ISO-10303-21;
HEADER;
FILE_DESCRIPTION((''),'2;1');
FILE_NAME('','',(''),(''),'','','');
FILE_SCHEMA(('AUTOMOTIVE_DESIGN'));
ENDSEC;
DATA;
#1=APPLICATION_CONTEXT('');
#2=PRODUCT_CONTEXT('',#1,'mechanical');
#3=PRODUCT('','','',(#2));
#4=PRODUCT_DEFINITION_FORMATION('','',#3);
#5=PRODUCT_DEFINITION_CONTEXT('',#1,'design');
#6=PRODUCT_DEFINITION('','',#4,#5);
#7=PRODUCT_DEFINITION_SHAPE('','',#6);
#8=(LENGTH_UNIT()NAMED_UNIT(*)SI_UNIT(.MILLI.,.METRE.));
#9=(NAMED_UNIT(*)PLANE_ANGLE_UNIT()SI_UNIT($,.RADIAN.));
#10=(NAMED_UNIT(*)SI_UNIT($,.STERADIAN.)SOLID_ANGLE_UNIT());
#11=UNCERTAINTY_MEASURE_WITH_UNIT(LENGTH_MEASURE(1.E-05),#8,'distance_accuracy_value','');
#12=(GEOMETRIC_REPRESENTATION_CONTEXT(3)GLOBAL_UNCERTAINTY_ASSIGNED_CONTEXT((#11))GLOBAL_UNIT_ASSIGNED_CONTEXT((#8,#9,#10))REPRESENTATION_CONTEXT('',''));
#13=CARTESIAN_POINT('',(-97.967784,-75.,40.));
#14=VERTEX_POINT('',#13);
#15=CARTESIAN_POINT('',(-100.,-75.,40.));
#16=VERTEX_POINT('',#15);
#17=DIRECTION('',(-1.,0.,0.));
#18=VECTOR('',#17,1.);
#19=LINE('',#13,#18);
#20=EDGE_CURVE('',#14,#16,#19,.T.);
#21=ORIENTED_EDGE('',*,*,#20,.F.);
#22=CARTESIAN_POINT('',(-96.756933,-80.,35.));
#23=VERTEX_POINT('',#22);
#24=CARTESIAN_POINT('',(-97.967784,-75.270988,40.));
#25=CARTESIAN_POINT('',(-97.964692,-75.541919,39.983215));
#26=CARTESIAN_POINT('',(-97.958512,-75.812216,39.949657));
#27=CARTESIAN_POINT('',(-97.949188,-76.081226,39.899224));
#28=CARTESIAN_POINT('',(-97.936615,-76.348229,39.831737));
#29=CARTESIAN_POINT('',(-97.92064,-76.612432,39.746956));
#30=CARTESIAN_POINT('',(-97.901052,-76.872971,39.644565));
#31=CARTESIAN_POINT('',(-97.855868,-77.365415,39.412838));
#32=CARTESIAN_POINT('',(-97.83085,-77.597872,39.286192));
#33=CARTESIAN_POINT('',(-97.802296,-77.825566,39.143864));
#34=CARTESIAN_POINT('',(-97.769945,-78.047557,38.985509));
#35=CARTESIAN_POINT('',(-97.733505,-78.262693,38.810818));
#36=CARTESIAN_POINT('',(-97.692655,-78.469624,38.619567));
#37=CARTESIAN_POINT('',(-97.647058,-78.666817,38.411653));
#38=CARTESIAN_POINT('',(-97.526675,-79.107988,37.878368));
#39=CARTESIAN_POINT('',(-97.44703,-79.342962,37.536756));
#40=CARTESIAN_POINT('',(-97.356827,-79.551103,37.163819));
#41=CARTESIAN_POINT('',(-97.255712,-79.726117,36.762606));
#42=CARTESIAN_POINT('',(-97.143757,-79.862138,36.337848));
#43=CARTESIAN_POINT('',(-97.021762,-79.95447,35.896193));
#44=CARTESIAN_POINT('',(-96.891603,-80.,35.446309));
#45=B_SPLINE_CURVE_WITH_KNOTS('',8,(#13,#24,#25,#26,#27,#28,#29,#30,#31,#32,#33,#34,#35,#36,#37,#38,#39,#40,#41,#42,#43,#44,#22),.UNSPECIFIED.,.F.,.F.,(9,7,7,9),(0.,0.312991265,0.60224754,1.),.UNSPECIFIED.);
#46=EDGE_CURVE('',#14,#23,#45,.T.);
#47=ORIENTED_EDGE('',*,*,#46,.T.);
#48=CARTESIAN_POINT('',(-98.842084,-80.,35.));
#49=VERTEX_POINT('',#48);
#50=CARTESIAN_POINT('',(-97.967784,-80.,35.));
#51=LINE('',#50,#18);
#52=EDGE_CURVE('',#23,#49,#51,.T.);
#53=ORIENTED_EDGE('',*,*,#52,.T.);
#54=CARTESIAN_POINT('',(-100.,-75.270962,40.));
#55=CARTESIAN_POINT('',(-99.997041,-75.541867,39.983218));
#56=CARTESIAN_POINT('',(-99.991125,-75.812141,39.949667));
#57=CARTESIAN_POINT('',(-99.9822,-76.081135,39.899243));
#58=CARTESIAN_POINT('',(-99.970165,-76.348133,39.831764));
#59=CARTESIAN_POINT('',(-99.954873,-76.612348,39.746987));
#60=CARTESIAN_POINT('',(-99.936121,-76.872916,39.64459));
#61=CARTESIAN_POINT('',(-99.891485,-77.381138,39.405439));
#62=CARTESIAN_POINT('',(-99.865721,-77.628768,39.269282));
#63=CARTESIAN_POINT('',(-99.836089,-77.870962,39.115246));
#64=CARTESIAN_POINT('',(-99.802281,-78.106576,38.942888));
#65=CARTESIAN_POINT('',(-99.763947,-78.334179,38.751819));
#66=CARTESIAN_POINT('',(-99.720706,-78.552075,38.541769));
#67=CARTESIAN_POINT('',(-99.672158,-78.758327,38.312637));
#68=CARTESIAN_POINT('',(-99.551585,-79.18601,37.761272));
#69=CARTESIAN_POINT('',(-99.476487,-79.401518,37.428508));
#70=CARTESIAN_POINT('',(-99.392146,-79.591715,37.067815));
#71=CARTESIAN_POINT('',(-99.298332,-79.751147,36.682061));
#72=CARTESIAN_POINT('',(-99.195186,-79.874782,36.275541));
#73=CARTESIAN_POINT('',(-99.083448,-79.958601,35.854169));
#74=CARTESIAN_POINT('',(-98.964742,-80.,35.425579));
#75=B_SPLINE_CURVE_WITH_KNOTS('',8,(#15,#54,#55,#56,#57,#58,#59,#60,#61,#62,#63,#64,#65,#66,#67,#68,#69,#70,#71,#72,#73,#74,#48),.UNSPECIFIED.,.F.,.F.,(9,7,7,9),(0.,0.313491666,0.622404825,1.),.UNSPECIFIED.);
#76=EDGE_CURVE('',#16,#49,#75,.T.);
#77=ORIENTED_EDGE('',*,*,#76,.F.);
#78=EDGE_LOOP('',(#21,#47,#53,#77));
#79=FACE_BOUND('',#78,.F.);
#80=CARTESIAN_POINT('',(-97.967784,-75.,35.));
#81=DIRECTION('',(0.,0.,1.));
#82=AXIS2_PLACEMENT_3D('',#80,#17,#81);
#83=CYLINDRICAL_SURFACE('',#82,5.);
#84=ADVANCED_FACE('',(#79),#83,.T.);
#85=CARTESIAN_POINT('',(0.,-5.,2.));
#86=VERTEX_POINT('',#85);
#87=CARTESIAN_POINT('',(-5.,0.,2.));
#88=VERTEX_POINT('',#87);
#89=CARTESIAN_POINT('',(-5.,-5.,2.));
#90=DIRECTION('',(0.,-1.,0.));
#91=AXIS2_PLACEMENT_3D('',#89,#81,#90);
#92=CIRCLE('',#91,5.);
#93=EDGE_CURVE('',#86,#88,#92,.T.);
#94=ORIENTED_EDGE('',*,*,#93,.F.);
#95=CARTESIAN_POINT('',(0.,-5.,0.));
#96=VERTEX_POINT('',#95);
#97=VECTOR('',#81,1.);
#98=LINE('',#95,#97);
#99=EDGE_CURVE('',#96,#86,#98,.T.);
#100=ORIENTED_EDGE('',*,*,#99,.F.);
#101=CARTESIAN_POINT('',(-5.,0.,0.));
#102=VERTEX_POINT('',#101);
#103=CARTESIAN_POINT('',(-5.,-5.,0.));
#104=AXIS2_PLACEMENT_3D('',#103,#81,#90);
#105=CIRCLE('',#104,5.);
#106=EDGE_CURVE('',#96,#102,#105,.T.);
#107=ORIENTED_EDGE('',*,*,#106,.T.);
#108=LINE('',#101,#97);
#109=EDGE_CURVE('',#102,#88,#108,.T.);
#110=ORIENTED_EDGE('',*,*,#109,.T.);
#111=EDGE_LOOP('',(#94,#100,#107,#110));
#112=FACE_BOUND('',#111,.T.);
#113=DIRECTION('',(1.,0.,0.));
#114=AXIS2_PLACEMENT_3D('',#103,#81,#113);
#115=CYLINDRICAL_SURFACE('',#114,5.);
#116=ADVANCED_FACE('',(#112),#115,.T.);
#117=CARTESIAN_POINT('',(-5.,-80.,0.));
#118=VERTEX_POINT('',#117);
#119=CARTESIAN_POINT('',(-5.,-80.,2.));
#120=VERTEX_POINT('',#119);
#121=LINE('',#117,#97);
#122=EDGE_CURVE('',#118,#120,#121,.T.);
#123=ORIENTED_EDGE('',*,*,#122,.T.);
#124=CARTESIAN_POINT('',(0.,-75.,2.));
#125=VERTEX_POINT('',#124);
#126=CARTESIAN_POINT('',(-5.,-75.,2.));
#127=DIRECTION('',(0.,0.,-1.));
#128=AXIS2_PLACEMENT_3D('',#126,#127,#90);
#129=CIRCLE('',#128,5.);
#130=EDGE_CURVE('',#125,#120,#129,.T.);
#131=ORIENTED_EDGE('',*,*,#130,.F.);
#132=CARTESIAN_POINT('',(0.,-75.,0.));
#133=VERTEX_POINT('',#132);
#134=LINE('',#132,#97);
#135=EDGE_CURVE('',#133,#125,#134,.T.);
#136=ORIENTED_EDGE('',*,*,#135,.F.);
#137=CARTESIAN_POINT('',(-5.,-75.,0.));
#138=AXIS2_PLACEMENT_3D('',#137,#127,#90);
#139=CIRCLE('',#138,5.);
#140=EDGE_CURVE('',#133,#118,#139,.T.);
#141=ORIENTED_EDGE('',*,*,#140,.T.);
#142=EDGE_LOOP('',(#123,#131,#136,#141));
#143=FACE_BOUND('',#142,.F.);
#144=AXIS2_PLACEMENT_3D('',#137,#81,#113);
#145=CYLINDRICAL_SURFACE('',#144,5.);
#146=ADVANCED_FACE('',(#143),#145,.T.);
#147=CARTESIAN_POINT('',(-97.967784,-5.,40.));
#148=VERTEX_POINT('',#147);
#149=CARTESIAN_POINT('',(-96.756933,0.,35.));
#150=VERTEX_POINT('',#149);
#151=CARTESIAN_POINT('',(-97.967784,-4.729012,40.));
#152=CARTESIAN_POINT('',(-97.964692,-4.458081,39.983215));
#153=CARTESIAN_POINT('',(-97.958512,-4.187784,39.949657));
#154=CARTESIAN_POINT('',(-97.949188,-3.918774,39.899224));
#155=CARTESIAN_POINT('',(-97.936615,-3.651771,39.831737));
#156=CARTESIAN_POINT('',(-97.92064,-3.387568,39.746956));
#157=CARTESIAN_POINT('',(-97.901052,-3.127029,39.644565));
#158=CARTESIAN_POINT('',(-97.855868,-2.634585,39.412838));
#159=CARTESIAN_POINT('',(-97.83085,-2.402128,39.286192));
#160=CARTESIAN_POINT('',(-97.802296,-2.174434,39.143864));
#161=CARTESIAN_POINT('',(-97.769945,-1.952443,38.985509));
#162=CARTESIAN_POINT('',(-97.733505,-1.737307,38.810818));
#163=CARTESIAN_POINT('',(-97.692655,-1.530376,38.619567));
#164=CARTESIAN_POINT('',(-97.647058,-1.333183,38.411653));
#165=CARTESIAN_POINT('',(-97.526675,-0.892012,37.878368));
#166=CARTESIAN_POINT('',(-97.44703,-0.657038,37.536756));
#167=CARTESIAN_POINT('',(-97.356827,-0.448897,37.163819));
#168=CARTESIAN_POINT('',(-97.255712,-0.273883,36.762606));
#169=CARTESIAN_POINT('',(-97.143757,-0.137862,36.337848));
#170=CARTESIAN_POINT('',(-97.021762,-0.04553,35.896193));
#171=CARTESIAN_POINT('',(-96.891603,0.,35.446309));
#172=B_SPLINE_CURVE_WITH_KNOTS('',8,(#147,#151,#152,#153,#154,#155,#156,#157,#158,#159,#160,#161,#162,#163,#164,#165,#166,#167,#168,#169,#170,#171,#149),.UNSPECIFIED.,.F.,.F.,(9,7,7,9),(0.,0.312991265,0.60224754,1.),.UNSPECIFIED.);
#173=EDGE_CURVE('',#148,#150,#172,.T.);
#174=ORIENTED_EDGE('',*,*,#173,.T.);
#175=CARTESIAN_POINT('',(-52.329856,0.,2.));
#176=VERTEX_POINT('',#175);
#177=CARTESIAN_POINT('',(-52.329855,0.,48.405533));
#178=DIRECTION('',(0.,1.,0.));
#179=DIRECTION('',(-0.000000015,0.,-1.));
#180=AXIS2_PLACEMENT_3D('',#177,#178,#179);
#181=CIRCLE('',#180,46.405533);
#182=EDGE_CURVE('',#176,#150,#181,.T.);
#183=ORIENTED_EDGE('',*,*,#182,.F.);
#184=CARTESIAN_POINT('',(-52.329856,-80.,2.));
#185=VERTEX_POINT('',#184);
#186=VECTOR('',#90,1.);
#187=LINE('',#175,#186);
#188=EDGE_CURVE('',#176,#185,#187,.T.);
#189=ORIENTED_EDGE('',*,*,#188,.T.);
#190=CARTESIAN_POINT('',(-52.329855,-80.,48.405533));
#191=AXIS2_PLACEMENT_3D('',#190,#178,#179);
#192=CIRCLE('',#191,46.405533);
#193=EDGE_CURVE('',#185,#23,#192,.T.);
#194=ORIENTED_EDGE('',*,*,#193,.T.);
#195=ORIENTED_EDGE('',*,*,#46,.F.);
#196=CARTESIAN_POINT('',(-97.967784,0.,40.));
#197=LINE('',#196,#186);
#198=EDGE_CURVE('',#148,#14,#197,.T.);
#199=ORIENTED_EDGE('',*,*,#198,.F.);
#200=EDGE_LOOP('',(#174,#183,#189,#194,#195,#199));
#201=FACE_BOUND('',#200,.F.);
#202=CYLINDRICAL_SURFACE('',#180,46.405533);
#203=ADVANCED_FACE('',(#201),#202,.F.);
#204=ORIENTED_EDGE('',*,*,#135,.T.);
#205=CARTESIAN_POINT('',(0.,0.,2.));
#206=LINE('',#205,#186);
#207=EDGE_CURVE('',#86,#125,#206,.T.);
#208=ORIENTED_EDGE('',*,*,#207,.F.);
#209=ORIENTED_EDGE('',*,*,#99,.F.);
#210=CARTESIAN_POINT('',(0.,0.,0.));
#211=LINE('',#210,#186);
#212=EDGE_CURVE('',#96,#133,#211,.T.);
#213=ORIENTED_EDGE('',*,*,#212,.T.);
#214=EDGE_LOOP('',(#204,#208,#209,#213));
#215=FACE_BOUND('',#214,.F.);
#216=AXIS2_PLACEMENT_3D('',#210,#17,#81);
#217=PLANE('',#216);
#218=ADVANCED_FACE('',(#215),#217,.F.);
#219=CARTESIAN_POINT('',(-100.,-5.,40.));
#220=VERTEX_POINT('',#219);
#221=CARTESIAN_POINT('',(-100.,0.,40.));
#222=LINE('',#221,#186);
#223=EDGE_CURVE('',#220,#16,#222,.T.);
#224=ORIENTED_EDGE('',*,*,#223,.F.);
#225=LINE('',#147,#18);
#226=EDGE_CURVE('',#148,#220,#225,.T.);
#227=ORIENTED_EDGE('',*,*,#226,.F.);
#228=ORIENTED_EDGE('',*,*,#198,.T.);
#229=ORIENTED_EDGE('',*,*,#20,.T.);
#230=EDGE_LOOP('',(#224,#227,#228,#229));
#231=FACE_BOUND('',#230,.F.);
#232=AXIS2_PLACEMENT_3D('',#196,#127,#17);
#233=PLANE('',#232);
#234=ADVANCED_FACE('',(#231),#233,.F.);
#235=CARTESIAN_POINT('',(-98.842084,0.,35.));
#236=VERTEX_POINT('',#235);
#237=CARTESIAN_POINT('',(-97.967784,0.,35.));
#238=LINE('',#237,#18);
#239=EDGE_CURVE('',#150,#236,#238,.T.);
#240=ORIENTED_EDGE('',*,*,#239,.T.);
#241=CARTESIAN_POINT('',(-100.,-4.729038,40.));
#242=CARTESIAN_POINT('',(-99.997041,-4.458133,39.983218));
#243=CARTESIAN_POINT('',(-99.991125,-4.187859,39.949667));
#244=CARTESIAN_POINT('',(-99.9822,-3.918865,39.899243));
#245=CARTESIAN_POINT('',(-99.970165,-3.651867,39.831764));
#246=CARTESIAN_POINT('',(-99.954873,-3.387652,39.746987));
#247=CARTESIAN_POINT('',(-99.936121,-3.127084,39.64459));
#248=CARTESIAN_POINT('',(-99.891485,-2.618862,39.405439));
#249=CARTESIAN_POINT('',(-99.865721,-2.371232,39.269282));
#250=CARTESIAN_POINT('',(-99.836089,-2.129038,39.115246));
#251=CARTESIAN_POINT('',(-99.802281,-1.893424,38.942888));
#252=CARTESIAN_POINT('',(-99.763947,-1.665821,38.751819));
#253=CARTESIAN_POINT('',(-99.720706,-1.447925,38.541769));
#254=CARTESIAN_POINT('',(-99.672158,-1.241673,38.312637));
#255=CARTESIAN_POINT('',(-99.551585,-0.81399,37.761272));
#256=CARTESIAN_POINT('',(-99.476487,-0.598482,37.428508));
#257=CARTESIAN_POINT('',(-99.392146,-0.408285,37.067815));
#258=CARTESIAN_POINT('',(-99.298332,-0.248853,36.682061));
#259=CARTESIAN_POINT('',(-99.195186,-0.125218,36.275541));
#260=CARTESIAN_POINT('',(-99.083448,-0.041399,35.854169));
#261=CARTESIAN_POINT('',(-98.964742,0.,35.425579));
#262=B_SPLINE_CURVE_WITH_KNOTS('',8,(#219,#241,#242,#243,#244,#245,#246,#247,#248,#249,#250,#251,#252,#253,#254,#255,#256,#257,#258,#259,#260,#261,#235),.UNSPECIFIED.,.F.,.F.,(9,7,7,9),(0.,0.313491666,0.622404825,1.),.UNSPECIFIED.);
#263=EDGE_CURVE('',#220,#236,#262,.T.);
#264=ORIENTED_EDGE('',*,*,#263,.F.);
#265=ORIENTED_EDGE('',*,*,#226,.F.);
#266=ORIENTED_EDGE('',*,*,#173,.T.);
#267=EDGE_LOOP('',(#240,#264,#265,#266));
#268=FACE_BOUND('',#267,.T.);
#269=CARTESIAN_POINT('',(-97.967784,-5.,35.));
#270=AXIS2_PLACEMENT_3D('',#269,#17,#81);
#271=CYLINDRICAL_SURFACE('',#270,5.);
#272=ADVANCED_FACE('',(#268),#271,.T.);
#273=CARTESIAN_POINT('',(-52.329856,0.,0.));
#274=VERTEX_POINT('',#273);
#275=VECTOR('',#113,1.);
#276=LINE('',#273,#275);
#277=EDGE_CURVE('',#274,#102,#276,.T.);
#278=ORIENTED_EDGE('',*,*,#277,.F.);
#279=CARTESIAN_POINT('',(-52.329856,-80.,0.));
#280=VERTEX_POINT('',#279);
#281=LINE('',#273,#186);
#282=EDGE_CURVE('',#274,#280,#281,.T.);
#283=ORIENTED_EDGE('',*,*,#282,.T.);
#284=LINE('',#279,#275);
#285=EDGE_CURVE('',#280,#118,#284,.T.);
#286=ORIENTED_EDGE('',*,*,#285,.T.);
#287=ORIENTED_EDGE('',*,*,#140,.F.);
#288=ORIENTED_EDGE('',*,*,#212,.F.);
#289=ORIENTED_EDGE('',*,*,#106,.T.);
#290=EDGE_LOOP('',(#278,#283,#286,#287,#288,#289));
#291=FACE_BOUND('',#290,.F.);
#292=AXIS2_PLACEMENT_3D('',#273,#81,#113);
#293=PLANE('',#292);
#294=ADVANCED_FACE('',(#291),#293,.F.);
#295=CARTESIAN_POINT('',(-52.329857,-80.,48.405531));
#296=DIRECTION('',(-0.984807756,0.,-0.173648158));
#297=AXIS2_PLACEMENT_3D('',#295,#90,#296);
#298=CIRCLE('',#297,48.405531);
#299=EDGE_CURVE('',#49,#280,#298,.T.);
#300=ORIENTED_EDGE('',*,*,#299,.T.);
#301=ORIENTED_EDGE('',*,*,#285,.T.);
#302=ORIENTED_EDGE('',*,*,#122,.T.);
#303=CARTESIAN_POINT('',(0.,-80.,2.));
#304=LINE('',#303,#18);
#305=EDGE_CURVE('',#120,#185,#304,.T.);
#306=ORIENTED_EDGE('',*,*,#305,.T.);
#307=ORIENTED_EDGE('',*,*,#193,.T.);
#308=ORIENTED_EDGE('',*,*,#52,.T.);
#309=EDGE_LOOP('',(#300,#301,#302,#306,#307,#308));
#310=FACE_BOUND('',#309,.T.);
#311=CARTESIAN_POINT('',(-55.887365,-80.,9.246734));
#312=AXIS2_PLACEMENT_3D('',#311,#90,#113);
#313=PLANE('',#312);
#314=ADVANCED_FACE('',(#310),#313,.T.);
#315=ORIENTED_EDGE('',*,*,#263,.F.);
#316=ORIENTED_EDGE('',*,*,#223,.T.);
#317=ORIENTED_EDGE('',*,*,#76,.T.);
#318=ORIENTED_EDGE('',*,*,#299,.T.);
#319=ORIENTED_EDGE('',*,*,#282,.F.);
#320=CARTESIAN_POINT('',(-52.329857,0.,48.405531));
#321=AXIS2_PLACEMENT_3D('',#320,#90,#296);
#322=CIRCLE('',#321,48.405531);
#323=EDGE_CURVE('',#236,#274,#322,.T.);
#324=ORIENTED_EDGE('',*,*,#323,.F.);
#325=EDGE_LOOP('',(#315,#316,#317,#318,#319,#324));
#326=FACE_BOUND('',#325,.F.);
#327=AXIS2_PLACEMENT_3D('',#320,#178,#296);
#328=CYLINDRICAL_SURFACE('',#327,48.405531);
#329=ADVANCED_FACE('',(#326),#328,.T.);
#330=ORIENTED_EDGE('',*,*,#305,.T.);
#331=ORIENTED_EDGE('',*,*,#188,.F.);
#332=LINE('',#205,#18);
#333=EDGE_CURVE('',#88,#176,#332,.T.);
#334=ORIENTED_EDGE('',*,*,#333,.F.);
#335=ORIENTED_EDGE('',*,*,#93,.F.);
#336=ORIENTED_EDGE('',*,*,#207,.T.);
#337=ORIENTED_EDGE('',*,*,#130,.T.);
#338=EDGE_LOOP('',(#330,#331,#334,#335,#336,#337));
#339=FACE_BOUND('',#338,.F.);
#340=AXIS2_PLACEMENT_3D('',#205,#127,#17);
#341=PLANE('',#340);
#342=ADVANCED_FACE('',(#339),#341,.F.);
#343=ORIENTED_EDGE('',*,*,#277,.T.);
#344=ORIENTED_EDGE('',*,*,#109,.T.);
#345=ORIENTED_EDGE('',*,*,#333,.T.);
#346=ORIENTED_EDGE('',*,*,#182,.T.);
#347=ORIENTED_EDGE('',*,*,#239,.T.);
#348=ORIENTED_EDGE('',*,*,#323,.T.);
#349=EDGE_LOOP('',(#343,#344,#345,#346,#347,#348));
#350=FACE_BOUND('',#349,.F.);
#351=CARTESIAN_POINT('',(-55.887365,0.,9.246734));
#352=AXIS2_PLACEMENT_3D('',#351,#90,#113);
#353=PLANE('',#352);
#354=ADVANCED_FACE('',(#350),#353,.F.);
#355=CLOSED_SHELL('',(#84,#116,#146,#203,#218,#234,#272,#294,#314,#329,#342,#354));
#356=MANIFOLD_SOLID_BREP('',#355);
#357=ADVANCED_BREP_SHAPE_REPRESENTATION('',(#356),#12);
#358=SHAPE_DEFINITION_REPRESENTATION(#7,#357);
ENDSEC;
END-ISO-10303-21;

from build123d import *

# Parameters (mm, degrees)
F1_DEPTH = 80
F2_R     = 5


with BuildPart() as f1:
    # F0 (on Front) → F1 (new body)
    with BuildSketch(Plane.XZ):
        with BuildLine():
            Line((-52.329856, 0), (0, 0))
            Line((0, 0), (0, 2))
            Line((0, 2), (-52.329856, 2))
            ThreePointArc((-52.329856, 2), (-82.023376, 12.743672), (-97.967784, 40))
            Line((-97.967784, 40), (-100, 40))
            ThreePointArc((-100, 40), (-83.444333, 11.324743), (-52.329856, 0))
        make_face()
    extrude(amount=F1_DEPTH)

    # F2
    f2_edges = [f1.edges().sort_by_distance(p)[0] for p in [
        (-98.983892, -80, 40),
        (-98.983892, 0, 40),
        (0, -80, 1),
        (0, 0, 1),
    ]]
    fillet(f2_edges, radius=F2_R)


solid = f1.part
